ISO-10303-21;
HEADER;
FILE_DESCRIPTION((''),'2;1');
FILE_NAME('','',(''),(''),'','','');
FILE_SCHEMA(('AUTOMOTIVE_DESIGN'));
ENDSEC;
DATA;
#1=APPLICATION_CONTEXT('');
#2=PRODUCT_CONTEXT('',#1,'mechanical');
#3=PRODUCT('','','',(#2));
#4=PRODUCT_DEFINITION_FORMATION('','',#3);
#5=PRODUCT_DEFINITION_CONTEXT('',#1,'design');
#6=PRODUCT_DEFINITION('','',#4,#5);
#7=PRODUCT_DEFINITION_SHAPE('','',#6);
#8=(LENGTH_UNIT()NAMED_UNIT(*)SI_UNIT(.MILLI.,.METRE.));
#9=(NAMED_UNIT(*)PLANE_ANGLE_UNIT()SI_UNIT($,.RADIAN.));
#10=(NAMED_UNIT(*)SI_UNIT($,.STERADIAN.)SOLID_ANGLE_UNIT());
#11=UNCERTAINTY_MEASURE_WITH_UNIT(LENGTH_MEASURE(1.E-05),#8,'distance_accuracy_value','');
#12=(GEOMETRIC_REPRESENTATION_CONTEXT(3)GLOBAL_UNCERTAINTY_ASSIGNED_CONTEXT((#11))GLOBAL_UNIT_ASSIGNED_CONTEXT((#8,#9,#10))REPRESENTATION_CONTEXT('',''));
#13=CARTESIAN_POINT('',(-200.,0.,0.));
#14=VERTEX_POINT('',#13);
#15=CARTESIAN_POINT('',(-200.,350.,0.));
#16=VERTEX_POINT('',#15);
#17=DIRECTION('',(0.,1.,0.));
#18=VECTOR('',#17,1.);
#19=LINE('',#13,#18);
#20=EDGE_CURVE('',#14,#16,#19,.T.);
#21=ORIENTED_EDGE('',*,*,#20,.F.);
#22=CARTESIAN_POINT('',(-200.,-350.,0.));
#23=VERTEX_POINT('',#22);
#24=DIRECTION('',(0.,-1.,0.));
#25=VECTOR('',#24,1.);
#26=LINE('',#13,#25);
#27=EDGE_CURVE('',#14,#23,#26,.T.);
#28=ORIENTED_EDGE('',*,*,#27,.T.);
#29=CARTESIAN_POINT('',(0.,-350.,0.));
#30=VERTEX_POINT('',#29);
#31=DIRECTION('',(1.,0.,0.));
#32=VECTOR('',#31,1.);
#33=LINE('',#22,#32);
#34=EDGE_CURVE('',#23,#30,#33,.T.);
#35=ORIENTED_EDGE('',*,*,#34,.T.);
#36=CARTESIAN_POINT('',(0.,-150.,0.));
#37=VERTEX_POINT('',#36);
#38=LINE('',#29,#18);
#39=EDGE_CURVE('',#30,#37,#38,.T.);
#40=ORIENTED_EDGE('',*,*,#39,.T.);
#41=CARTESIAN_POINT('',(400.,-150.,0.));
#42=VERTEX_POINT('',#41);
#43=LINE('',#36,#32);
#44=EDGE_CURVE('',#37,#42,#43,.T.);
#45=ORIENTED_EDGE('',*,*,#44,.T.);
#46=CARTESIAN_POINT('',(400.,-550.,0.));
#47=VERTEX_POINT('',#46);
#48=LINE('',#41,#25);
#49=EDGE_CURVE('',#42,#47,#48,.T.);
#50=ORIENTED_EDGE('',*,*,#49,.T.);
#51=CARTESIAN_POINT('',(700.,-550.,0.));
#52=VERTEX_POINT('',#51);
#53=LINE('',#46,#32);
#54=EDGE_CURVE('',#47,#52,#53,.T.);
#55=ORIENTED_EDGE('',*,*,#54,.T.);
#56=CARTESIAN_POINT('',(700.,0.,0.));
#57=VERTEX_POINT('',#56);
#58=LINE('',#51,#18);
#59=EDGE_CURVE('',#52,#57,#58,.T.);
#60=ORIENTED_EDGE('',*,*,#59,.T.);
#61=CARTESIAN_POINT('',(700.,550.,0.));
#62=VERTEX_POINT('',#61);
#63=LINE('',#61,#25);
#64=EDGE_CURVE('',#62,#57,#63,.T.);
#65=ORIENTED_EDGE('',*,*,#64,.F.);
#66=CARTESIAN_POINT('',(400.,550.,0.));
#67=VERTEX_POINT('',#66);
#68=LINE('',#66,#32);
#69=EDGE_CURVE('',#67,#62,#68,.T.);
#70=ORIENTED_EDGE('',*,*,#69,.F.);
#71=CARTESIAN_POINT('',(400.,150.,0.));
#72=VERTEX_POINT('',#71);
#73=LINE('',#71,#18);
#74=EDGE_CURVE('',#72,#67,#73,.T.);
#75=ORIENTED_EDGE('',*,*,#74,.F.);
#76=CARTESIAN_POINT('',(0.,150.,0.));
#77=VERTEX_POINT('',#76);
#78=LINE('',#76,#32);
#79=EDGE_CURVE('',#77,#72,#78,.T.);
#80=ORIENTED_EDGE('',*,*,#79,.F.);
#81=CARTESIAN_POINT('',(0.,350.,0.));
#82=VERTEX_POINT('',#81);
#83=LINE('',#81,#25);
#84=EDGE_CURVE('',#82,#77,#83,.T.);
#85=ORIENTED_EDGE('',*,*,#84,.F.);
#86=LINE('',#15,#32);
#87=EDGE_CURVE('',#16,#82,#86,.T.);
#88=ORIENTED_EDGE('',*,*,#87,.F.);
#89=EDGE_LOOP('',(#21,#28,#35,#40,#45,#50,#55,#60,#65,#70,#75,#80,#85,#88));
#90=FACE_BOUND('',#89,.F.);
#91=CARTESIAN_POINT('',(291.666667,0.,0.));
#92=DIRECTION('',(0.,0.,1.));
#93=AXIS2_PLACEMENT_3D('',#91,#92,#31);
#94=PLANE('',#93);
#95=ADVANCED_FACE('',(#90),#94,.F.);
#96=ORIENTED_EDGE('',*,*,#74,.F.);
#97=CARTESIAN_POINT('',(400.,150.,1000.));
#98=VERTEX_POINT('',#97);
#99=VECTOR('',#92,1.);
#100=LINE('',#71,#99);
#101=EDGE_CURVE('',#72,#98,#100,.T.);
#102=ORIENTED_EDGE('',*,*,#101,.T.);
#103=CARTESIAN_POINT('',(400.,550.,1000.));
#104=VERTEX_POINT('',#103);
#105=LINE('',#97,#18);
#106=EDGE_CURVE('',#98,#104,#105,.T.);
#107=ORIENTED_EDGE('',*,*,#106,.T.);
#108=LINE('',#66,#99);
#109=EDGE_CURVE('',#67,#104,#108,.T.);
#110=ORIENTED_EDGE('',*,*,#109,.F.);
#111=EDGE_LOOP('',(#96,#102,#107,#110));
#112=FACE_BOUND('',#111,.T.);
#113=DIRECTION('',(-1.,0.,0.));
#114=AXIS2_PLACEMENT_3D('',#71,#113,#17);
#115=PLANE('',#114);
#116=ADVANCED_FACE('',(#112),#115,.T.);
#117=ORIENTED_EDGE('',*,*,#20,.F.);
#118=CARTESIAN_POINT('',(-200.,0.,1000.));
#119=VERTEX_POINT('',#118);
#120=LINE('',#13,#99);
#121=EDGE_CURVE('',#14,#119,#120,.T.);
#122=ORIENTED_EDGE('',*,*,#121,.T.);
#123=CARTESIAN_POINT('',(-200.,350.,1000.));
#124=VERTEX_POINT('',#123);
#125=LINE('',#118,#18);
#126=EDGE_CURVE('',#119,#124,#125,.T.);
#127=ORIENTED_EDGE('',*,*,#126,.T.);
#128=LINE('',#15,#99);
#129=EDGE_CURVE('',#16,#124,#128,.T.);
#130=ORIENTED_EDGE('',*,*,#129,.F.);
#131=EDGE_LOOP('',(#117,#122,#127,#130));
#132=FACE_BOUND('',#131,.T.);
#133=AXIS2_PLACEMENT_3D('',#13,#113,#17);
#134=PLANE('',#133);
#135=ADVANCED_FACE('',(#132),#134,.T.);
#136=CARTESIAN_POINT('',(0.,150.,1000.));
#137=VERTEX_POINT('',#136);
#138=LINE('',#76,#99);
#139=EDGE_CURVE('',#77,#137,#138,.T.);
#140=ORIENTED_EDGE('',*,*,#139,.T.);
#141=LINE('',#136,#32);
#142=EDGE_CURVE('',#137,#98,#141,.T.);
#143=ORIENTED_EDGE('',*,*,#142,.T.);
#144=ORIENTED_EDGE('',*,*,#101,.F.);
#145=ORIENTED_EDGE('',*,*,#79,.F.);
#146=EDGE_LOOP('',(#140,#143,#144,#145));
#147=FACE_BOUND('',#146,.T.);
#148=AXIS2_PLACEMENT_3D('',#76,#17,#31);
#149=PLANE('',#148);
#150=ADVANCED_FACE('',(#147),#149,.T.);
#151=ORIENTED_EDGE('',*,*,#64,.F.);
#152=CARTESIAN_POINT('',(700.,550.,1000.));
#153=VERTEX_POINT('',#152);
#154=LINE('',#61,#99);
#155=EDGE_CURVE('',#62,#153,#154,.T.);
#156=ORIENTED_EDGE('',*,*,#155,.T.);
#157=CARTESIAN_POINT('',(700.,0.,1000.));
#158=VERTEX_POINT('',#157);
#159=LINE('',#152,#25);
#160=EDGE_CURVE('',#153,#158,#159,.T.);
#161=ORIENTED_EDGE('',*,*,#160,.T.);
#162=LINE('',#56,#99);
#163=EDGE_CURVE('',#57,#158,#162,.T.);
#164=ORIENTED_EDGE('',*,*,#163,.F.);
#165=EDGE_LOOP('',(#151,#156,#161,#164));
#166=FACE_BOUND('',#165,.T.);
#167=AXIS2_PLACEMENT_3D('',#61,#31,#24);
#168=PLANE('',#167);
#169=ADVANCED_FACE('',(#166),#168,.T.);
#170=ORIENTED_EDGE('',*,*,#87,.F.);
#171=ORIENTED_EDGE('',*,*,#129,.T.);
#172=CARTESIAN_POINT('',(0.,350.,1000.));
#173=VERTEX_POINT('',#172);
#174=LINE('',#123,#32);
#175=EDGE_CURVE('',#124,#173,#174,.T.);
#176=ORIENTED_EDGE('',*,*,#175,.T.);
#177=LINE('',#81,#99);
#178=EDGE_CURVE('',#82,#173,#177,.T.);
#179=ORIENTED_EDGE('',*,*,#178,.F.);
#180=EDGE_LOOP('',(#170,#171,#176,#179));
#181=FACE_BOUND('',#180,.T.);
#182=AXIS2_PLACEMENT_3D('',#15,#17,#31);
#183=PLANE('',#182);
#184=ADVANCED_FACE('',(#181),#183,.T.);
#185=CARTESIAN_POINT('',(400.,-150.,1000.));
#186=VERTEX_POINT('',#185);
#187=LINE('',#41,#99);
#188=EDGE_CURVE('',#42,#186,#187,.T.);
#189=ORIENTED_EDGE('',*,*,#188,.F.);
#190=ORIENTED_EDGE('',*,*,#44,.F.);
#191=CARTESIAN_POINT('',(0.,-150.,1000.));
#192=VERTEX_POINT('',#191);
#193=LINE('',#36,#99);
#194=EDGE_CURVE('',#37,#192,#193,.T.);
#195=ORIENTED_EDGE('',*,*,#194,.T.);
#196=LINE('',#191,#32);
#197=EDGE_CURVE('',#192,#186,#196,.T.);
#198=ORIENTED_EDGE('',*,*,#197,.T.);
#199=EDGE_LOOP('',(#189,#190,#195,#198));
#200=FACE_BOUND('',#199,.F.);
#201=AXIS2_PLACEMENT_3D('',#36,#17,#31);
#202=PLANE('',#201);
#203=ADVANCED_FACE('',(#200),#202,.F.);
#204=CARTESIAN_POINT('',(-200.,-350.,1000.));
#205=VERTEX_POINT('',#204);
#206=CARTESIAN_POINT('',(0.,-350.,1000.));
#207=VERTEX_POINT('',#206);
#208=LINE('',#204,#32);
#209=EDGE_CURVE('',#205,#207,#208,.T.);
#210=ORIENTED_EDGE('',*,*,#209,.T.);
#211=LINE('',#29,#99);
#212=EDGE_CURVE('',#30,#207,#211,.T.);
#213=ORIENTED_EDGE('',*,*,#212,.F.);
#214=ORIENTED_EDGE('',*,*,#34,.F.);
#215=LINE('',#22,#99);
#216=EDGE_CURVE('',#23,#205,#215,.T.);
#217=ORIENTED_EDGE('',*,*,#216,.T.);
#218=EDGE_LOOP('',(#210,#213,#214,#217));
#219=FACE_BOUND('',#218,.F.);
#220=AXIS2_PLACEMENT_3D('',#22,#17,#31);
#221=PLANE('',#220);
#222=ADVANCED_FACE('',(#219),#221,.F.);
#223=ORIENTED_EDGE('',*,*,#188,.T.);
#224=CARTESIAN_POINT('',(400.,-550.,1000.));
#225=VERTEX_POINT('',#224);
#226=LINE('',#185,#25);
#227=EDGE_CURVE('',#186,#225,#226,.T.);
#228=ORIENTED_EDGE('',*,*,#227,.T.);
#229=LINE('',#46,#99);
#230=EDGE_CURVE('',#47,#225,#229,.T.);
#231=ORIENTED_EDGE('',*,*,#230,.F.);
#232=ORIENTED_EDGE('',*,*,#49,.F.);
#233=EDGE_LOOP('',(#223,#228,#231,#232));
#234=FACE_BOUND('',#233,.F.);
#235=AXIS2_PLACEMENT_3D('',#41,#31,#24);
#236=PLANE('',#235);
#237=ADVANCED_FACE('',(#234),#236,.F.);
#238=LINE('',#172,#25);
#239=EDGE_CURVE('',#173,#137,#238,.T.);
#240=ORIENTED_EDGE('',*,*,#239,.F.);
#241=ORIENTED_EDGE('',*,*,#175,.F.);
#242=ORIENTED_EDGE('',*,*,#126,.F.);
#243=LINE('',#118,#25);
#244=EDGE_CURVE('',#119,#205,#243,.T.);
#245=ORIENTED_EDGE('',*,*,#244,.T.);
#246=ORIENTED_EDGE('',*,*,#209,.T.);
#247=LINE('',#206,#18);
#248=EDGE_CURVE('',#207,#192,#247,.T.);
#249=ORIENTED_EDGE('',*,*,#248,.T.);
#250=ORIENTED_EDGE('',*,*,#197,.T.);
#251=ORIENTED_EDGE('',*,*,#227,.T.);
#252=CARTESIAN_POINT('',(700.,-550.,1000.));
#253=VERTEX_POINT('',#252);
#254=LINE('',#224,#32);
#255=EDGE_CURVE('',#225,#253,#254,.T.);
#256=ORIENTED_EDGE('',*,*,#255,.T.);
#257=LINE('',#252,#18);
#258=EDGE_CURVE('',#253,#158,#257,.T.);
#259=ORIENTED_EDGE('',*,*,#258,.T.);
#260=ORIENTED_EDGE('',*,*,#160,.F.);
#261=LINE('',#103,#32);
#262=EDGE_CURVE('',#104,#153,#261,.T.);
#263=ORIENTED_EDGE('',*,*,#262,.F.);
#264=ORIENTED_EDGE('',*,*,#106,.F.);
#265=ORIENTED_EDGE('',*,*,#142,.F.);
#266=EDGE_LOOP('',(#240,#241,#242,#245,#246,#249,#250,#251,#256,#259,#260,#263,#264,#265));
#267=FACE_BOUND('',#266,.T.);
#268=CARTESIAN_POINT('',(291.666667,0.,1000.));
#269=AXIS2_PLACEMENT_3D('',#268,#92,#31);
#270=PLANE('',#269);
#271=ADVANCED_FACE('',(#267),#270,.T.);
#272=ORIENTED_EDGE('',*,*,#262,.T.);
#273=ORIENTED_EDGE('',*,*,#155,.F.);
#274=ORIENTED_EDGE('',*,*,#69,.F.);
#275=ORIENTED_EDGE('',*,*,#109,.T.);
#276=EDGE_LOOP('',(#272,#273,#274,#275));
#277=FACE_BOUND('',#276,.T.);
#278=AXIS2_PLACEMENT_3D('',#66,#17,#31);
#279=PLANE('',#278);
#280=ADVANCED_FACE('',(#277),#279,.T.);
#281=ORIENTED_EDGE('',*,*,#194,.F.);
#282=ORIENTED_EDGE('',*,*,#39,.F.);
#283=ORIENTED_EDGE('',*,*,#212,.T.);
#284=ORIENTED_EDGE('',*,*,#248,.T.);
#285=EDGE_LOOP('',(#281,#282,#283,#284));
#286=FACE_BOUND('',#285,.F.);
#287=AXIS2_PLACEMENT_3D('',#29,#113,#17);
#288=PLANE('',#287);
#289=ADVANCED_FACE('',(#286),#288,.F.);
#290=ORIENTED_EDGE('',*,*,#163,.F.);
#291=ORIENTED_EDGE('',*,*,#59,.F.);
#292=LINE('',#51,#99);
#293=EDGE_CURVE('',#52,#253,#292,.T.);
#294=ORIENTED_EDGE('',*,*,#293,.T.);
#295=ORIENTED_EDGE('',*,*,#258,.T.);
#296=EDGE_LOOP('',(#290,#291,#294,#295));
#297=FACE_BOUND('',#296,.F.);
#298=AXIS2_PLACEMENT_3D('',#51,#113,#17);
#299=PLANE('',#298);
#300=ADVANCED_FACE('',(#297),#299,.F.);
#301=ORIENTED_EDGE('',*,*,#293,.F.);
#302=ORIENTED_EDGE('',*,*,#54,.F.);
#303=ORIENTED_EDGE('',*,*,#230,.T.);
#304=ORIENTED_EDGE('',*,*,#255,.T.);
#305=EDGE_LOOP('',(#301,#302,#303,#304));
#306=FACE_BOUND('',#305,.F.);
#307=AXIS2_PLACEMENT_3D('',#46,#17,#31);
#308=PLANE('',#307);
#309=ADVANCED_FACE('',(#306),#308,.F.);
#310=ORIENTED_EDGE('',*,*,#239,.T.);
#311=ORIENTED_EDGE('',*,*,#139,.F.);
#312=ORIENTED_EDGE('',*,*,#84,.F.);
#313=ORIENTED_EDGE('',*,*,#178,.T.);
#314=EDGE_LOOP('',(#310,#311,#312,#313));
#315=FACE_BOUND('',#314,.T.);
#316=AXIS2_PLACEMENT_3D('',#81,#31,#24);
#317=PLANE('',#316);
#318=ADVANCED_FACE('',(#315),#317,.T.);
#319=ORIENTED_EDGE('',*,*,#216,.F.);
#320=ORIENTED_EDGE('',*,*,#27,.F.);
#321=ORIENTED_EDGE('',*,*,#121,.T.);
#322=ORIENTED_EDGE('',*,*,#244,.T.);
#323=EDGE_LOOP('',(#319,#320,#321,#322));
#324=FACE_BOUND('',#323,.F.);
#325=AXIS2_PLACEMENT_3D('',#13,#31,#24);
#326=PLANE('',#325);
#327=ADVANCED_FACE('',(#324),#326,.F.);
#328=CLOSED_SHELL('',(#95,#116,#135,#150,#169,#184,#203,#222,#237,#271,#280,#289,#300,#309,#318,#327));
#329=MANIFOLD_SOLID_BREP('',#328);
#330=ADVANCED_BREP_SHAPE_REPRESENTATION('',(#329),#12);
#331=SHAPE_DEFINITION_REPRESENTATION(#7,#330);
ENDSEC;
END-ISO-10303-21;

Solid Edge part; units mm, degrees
sketch "Sketch1" plane through (0, 0, 0) normal (0, 0, 1) x (1, 0, 0)
  line L0 (400, -150) -> (400, -550)
  line L1 (400, -550) -> (700, -550)
  line L2 (700, -550) -> (700, 0)
  line L3 (700, 550) -> (700, 0)
  line L4 (400, 550) -> (700, 550)
  line L5 (400, 150) -> (400, 550)
  line L6 (0, 150) -> (400, 150)
  line L7 (0, 350) -> (0, 150)
  line L8 (-200, 350) -> (0, 350)
  line L9 (-200, 0) -> (-200, 350)
  line L10 (-200, 0) -> (-200, -350)
  line L11 (-200, -350) -> (0, -350)
  line L12 (0, -350) -> (0, -150)
  line L13 (0, -150) -> (400, -150)
extrude "Protrusion1" add sketch "Sketch1" along normal blind 1000
